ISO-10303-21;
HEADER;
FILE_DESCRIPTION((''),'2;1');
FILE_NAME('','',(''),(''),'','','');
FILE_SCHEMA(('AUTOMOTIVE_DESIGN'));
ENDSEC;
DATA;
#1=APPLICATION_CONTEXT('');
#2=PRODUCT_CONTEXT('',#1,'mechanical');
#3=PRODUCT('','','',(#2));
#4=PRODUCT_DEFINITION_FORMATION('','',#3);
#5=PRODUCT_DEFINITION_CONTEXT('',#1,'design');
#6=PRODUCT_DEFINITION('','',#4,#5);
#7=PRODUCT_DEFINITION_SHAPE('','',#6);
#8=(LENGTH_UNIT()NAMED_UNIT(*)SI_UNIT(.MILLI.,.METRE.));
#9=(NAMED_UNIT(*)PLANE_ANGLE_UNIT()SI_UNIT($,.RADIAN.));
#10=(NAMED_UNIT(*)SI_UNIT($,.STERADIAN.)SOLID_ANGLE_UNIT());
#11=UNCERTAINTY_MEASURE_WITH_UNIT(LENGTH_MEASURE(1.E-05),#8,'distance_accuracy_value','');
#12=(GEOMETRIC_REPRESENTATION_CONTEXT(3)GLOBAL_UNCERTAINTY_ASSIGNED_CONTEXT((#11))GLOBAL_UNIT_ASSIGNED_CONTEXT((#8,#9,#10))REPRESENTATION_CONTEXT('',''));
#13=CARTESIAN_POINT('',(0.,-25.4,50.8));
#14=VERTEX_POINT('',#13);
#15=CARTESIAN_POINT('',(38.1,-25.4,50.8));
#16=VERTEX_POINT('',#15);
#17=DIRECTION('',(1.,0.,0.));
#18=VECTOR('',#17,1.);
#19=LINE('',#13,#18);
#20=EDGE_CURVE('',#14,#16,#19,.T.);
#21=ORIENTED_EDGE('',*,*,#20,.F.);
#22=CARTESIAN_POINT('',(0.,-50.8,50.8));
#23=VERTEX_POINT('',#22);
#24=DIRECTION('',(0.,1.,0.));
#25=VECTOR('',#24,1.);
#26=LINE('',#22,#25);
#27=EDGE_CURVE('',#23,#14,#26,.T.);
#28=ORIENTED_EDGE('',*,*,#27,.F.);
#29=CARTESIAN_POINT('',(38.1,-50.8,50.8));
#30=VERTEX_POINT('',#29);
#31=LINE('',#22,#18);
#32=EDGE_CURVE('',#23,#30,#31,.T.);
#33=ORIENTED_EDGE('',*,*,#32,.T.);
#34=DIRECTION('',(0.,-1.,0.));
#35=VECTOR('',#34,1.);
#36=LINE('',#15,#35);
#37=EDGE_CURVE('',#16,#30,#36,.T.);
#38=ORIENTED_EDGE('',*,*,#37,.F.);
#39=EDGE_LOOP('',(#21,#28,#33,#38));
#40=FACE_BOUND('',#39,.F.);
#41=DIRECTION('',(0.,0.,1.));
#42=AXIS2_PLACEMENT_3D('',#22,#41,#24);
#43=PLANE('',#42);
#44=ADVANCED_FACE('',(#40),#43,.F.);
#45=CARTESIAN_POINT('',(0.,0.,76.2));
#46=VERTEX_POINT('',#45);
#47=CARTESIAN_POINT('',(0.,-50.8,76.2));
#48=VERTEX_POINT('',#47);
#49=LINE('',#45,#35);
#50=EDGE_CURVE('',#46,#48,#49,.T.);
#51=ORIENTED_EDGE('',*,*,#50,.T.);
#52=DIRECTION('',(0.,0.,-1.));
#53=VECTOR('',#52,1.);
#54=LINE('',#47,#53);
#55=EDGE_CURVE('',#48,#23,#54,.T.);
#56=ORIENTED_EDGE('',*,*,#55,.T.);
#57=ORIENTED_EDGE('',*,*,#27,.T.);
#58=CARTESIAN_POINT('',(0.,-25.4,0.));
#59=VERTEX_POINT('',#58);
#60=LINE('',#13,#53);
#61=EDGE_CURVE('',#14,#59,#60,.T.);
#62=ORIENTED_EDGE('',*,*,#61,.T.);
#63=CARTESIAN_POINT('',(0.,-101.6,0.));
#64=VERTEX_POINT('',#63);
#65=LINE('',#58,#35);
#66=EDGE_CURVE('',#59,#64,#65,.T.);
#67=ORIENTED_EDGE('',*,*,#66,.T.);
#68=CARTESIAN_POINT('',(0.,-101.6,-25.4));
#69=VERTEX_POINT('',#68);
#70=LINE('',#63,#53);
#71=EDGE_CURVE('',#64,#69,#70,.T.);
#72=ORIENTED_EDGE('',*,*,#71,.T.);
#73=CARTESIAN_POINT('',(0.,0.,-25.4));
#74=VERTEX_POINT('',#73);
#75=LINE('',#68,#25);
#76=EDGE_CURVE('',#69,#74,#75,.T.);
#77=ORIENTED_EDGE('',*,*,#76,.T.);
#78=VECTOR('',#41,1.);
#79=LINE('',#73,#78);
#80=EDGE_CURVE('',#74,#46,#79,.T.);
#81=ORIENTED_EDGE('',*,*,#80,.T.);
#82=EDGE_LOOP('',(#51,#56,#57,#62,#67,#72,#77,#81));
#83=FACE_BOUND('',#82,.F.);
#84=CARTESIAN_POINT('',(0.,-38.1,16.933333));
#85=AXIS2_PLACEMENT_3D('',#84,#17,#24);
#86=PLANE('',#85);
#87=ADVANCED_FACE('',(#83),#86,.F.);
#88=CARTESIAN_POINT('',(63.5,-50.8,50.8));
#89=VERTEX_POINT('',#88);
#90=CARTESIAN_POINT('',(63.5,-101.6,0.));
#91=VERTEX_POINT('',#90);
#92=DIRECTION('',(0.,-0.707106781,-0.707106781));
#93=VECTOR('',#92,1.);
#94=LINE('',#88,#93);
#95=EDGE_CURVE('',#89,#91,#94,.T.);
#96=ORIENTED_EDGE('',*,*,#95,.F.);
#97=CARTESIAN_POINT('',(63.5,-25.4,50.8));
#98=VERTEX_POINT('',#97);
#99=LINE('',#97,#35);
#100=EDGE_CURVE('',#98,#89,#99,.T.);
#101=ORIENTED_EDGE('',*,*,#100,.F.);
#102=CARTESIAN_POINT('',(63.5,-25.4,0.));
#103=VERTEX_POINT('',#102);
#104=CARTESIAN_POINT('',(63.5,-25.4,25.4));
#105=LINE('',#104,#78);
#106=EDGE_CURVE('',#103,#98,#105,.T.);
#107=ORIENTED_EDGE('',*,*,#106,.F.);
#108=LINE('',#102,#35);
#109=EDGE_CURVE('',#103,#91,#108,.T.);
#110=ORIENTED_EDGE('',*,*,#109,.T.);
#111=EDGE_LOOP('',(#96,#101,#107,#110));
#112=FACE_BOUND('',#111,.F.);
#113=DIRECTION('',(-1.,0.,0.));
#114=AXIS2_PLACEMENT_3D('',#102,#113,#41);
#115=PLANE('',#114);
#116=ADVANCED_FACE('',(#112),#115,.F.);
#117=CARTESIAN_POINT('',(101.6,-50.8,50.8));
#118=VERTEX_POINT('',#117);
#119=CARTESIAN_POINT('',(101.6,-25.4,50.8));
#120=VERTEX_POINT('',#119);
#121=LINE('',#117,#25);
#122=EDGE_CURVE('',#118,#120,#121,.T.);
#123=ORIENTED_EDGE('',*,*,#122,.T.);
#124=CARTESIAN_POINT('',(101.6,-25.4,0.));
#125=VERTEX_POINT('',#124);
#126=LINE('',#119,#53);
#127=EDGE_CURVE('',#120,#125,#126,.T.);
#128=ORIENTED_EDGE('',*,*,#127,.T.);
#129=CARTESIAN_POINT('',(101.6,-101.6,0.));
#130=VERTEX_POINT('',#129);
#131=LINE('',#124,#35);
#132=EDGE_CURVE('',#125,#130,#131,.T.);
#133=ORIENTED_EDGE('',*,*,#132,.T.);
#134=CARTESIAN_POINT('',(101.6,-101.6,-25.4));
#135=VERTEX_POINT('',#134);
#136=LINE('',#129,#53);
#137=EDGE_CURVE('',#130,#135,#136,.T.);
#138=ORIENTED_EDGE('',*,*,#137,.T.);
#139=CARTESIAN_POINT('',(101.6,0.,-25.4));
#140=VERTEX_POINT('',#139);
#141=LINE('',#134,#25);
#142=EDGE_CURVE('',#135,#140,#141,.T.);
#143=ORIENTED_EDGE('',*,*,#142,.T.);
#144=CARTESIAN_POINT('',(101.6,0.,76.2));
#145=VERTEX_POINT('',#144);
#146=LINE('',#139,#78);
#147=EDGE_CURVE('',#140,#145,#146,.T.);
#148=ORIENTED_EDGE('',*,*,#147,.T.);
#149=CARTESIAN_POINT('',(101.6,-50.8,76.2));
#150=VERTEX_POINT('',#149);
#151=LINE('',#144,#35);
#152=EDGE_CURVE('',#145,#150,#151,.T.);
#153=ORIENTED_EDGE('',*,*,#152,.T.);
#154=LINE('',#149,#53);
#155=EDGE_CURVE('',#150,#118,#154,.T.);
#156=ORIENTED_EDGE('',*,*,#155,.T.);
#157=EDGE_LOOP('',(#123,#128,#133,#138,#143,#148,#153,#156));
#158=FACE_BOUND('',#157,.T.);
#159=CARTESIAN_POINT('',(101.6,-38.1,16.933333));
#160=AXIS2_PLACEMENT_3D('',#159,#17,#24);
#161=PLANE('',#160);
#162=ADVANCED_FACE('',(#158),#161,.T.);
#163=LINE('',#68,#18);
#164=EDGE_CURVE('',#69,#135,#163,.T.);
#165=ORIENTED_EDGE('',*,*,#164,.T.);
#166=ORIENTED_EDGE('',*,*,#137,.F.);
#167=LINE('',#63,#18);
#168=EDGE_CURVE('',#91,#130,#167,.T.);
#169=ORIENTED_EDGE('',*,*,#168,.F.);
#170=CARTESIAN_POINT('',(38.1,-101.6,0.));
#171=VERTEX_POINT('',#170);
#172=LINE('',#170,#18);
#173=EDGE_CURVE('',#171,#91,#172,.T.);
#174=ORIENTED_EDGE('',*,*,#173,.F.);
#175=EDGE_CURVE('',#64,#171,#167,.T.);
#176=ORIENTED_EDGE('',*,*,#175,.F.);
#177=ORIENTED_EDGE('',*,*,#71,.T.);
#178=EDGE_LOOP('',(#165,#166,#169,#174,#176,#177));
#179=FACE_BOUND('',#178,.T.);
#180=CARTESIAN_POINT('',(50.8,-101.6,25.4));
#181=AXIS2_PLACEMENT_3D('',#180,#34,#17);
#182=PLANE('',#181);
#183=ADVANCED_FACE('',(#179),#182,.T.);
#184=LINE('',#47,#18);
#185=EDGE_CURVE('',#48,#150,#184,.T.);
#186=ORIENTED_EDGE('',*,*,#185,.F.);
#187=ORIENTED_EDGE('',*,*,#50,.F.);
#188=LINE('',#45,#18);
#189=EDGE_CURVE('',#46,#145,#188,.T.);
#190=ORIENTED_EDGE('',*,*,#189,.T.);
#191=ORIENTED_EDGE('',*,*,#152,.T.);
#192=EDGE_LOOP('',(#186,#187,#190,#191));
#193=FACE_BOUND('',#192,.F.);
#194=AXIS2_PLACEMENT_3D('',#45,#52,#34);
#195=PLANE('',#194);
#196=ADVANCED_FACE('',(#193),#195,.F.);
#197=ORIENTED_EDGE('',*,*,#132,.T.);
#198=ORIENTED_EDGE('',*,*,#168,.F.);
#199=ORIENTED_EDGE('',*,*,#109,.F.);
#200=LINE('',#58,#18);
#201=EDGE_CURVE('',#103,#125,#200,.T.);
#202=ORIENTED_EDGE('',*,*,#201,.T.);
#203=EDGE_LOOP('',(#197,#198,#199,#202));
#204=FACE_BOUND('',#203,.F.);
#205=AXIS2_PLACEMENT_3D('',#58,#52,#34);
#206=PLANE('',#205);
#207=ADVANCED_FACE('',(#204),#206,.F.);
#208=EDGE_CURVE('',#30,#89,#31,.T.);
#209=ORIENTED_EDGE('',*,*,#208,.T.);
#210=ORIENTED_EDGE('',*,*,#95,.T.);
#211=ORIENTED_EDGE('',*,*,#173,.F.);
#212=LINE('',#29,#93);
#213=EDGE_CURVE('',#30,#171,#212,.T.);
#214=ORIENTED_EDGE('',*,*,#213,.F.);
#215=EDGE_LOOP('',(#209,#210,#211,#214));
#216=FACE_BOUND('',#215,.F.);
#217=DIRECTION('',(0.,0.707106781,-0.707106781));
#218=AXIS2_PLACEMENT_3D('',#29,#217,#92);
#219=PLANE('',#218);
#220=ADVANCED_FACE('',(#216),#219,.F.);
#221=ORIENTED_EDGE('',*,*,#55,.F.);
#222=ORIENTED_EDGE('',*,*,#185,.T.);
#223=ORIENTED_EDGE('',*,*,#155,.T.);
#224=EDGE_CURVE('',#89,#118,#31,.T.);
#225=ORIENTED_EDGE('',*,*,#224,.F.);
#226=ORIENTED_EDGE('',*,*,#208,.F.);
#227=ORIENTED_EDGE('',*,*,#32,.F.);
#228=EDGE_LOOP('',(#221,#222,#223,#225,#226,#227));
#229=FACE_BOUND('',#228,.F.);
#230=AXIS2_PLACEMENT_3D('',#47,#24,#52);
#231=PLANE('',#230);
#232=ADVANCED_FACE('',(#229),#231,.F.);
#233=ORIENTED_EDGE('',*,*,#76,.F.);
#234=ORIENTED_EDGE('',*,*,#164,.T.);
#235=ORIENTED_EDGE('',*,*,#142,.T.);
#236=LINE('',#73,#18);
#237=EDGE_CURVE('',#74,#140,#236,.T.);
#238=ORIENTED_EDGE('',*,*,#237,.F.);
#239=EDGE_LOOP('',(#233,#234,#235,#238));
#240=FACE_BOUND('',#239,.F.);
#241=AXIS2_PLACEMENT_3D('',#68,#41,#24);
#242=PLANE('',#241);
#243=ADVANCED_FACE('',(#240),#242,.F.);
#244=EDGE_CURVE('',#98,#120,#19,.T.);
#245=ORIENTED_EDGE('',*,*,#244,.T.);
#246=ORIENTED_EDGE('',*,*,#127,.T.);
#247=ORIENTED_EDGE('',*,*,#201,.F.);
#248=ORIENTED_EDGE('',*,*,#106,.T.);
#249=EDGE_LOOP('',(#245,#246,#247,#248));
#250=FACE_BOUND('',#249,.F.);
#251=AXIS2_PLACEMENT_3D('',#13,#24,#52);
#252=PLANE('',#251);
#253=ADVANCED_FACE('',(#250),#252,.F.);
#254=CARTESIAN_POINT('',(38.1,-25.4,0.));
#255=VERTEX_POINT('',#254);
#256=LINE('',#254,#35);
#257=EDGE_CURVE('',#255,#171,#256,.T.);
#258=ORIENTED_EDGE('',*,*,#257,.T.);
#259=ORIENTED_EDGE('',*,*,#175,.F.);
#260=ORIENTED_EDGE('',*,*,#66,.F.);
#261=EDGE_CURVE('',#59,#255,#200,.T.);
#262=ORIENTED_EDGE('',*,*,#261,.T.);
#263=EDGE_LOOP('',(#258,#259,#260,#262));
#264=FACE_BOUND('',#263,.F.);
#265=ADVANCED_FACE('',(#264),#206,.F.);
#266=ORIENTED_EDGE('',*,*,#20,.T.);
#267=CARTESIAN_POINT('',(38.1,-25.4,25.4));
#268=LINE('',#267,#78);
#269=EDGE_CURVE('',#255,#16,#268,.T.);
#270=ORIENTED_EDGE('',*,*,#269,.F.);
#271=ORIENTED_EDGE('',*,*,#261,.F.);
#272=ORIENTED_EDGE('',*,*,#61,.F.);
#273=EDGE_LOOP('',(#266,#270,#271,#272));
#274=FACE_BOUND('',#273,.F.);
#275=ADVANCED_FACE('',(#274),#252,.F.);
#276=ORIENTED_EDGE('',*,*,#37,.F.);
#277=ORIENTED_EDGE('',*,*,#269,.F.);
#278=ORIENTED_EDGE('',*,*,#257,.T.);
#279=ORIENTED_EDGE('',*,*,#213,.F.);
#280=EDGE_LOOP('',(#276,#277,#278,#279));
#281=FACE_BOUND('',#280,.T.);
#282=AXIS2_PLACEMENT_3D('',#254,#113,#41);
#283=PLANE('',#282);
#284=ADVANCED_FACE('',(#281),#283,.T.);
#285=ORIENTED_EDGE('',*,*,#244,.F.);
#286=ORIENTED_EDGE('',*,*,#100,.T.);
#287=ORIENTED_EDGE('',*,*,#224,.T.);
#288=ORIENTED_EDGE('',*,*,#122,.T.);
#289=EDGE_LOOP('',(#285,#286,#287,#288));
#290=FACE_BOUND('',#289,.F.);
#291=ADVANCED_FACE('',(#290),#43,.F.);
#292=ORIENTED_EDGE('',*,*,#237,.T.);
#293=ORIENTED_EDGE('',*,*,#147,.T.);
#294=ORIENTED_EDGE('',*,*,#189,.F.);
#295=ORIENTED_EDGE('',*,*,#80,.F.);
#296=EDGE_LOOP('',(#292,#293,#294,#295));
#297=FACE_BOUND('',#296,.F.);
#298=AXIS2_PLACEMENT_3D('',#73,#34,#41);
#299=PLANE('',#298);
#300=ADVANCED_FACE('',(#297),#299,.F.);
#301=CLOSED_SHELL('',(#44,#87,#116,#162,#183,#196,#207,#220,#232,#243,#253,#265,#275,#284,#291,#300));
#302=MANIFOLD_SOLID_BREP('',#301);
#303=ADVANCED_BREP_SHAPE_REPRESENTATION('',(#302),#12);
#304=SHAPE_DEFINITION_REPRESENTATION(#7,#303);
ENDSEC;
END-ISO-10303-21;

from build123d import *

# Parameters (mm, degrees)
F1_DEPTH = 101.6
F2_W     = 25.4
F2_H     = 50.8
F3_DEPTH = 76.2
F5_DEPTH = 25.4


with BuildPart() as f1:
    # F0 (on Right) → F1 (new body)
    with BuildSketch(Plane.YZ):
        Polygon((0, -25.4), (0, 0), (0, 76.2), (-50.8, 76.2), (-50.8, 50.8), (-25.4, 50.8), (-25.4, 0), (-101.6, 0), (-101.6, -25.4), align=None)
    extrude(amount=F1_DEPTH)

    # F2 (on face) → F3 (join)
    with BuildSketch(Plane.XZ.offset(25.4)):
        with Locations((50.8, 25.4)):
            Rectangle(F2_W, F2_H)
    extrude(amount=F3_DEPTH)

    # F4 (on face) → F5 (cut)
    with BuildSketch(Plane(origin=(38.1, 0, 0), x_dir=(0, -1, 0), z_dir=(-1, 0, 0))):
        Polygon((101.6, 50.8), (50.8, 50.8), (101.6, 0), align=None)
    extrude(amount=-F5_DEPTH, mode=Mode.SUBTRACT)


solid = f1.part
